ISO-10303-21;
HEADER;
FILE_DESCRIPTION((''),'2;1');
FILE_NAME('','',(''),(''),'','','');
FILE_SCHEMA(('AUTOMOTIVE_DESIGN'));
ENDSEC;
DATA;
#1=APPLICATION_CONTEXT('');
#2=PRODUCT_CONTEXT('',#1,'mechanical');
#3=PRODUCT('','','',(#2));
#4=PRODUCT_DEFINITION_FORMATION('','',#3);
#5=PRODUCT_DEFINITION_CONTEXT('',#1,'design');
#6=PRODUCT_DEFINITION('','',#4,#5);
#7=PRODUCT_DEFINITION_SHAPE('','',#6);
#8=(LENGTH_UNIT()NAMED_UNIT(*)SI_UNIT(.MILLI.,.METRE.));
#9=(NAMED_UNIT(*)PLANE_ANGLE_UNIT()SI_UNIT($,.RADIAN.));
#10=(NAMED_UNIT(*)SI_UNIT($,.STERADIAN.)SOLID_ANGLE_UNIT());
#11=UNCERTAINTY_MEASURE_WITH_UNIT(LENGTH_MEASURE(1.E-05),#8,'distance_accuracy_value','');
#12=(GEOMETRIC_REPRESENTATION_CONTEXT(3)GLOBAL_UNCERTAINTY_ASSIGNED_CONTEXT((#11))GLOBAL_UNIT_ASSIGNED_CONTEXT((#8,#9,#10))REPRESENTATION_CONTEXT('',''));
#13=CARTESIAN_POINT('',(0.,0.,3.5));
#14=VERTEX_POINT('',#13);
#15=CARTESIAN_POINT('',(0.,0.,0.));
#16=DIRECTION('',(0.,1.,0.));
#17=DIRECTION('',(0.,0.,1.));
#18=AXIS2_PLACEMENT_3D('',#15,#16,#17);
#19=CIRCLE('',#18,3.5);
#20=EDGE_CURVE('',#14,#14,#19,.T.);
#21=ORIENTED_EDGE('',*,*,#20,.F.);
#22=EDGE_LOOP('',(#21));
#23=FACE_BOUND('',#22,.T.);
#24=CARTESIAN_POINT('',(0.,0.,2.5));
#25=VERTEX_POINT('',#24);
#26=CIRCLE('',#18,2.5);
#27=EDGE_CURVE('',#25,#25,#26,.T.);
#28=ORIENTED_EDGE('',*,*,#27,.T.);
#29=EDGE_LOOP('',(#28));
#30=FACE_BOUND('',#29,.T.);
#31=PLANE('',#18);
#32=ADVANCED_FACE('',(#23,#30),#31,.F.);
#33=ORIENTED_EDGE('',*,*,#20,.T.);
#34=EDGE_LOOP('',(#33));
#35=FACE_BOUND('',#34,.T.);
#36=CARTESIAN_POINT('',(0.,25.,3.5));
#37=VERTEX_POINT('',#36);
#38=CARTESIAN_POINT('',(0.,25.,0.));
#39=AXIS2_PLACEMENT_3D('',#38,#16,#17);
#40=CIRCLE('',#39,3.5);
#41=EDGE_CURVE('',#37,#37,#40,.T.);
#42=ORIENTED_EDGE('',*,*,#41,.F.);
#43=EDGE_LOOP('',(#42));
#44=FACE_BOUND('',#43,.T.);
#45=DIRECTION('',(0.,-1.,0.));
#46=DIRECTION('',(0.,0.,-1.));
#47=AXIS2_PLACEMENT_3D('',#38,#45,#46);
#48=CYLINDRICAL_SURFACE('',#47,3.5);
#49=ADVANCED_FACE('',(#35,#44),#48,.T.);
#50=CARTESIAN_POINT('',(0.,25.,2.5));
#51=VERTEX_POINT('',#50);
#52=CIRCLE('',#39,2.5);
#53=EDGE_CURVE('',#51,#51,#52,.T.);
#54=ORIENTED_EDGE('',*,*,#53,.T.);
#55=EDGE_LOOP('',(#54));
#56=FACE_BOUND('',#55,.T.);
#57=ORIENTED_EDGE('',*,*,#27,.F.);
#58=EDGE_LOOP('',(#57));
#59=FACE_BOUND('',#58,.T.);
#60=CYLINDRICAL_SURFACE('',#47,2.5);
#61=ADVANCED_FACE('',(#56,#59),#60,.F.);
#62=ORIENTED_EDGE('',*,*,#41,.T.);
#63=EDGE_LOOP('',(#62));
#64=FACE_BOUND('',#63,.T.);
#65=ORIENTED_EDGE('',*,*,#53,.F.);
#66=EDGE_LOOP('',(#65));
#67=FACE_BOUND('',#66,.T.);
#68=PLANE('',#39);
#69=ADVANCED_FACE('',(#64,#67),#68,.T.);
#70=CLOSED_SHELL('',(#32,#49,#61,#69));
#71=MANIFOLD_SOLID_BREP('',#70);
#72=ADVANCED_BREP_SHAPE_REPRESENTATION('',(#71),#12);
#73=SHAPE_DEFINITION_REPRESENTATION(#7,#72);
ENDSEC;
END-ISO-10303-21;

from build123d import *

# Parameters (mm, degrees)
ESBO_O1_R                = 3.5
ESBO_O1_R_2              = 2.5
RESSALTO_EXTRUS_O1_DEPTH = 25


with BuildPart() as part:
    # Esboço1 → Ressalto-extrusão1 (new body)
    with BuildSketch(Plane(origin=(0, 0, 0), x_dir=(1, 0, 0), z_dir=(0, 1, 0))):
        with Locations(Location((0, 0, 0), (0, 0, 270))):
            Circle(ESBO_O1_R)
        with Locations(Location((0, 0, 0), (0, 0, 270))):
            Circle(ESBO_O1_R_2, mode=Mode.SUBTRACT)
    extrude(amount=RESSALTO_EXTRUS_O1_DEPTH)


solid = part.part
